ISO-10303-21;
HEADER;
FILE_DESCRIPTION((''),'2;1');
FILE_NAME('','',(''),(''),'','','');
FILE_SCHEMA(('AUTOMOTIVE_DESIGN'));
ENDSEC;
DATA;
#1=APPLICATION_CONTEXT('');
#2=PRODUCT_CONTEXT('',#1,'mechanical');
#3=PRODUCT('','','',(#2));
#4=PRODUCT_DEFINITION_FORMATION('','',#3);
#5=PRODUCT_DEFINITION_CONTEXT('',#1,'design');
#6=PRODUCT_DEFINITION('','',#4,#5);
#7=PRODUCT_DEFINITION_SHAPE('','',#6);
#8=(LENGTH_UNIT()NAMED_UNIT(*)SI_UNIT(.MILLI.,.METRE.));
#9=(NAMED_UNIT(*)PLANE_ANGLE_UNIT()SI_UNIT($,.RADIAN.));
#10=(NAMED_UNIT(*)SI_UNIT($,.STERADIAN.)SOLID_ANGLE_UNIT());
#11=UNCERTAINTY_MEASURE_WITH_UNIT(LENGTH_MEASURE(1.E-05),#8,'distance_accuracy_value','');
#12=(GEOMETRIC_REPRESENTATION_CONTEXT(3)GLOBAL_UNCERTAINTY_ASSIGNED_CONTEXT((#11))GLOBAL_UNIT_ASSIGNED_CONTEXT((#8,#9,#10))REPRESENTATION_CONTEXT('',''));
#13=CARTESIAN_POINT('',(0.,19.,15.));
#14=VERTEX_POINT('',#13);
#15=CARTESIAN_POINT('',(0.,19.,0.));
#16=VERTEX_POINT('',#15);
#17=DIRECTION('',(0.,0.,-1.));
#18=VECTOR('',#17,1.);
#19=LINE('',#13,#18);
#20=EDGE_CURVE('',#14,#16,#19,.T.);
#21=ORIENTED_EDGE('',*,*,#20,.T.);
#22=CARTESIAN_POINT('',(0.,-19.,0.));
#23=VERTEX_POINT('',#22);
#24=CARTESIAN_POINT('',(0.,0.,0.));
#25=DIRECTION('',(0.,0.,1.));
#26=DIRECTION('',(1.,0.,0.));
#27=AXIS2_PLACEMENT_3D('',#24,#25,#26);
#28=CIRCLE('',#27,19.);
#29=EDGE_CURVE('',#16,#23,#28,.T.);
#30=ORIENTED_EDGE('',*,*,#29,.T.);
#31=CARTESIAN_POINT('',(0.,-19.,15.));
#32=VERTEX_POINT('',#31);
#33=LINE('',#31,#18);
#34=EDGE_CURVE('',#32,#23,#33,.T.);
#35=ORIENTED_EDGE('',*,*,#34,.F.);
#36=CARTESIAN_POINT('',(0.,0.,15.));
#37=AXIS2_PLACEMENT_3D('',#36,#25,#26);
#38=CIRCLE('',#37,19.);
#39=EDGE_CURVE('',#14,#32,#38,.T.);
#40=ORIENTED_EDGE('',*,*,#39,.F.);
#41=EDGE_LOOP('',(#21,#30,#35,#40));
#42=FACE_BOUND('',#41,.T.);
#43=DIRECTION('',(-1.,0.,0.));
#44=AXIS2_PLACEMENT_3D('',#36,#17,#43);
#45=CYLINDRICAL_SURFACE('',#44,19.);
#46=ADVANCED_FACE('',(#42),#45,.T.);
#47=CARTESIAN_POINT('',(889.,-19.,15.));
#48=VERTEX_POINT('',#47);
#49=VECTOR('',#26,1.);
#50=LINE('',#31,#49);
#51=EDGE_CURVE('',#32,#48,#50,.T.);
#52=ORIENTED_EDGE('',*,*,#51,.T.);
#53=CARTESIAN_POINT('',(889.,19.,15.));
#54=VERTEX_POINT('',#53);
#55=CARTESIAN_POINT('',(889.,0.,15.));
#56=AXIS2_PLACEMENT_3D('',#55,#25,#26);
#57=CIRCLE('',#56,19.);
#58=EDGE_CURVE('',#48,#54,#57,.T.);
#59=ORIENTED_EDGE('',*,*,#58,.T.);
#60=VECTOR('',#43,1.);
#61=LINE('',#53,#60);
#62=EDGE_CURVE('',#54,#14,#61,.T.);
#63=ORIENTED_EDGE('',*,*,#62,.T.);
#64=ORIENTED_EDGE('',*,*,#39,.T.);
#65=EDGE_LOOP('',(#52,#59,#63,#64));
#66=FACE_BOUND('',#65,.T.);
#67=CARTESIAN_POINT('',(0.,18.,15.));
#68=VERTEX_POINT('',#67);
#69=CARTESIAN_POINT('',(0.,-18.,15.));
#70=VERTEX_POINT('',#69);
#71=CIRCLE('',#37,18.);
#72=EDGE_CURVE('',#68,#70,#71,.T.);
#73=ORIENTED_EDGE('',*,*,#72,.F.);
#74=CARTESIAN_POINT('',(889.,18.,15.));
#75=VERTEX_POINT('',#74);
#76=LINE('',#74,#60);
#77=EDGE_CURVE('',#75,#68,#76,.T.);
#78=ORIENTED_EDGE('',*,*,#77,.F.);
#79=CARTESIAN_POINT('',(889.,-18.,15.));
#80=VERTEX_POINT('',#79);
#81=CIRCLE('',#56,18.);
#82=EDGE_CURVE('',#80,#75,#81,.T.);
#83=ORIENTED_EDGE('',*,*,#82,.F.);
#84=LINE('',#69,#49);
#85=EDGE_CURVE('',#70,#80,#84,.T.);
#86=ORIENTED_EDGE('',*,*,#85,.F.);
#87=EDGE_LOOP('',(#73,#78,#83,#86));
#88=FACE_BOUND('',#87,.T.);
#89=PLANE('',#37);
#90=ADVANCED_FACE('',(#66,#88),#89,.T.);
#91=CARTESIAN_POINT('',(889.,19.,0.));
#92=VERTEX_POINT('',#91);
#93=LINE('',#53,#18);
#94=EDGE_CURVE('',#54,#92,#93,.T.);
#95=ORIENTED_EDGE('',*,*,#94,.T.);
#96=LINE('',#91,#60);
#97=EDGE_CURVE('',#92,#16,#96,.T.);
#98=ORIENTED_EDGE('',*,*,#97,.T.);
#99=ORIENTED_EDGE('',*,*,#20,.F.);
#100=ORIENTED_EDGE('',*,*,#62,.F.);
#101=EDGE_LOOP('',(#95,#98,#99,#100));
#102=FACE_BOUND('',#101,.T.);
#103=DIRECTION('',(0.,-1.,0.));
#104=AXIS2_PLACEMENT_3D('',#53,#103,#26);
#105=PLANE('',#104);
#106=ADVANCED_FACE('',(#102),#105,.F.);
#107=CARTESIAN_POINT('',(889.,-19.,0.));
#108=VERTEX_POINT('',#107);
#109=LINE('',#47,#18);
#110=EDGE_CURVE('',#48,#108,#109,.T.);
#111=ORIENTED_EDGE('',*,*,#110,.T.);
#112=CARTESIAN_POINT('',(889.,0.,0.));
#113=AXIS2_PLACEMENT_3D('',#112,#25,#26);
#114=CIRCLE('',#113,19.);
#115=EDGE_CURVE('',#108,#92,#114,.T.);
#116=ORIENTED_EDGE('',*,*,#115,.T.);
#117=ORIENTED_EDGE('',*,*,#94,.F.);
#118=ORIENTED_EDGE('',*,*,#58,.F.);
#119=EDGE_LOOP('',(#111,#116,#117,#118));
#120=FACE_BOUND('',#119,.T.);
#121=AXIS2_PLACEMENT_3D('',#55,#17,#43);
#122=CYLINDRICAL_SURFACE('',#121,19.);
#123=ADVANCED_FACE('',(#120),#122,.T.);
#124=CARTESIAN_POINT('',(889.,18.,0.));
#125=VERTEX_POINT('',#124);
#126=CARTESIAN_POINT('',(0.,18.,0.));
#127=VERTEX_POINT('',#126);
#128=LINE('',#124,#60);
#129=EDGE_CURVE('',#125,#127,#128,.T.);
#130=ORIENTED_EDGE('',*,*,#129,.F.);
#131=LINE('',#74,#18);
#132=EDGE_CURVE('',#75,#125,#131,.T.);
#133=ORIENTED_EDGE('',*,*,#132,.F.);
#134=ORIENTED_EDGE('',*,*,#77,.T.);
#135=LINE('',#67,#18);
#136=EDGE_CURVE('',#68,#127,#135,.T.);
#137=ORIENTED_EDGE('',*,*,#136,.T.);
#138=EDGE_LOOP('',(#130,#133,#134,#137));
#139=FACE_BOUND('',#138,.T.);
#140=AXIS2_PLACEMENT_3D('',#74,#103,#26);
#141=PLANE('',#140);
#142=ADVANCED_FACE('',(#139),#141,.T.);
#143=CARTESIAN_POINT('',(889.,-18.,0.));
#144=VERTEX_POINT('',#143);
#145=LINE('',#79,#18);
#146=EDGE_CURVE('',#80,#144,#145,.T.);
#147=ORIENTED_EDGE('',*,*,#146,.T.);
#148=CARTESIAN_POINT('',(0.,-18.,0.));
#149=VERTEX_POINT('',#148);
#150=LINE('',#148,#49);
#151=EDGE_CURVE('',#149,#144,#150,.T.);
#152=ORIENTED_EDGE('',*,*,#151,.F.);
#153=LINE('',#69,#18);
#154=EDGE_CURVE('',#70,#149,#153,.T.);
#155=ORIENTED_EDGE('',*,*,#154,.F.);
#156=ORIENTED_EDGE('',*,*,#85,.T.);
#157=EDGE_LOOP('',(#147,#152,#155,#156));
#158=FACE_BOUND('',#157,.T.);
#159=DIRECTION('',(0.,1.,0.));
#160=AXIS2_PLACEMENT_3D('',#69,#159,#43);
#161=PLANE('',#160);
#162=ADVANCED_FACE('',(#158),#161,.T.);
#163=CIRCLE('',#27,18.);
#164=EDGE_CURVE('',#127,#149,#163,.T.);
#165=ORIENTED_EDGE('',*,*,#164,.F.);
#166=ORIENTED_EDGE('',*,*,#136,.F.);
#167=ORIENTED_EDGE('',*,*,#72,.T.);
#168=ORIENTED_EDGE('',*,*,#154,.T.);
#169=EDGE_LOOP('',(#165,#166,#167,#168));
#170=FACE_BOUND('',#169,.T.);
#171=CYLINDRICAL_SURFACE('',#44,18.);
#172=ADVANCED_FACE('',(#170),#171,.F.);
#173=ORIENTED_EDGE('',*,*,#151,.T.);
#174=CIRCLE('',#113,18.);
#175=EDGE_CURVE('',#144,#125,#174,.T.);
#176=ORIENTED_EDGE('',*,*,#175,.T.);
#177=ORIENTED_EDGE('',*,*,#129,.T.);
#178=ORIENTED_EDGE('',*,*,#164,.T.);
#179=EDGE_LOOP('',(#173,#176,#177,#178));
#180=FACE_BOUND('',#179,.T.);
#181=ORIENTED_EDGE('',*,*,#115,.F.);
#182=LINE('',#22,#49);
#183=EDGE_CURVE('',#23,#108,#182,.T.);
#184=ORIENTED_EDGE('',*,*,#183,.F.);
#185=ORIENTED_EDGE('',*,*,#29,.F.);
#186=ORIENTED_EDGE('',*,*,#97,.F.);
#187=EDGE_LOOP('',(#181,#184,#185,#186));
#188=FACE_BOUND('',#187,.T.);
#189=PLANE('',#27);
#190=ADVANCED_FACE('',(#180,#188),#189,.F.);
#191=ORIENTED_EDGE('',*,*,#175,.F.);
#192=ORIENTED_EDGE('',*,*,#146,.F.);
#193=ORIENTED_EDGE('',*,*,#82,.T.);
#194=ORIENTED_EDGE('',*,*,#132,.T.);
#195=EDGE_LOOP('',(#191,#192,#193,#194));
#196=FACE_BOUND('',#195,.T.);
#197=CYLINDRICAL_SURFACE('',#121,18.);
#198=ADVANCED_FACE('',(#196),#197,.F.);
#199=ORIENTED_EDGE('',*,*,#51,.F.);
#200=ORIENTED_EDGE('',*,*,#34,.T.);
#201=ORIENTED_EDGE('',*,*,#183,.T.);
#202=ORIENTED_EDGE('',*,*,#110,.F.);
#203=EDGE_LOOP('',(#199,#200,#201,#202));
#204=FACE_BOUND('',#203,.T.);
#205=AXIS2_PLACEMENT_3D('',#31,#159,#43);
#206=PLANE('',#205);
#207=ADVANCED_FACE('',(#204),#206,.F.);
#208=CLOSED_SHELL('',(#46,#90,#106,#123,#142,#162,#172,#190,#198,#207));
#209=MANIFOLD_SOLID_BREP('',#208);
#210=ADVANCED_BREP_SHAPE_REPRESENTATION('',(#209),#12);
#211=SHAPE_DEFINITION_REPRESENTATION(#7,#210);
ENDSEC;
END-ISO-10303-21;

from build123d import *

# Parameters (mm, degrees)
EXTRUDE_1_DEPTH = 15


with BuildPart() as part:
    # 草图1 → 凸台-拉伸1 (new body)
    with BuildSketch(Plane.XY):
        with BuildLine():
            Line((0, -19), (889, -19))
            ThreePointArc((889, -19), (908, 0), (889, 19))
            Line((889, 19), (0, 19))
            ThreePointArc((0, 19), (-19, 0), (0, -19))
        make_face()
        with BuildLine():
            Line((889, 18), (0, 18))
            ThreePointArc((0, 18), (-18, 0), (0, -18))
            Line((0, -18), (889, -18))
            ThreePointArc((889, -18), (907, 0), (889, 18))
        make_face(mode=Mode.SUBTRACT)
    extrude(amount=EXTRUDE_1_DEPTH)


solid = part.part
